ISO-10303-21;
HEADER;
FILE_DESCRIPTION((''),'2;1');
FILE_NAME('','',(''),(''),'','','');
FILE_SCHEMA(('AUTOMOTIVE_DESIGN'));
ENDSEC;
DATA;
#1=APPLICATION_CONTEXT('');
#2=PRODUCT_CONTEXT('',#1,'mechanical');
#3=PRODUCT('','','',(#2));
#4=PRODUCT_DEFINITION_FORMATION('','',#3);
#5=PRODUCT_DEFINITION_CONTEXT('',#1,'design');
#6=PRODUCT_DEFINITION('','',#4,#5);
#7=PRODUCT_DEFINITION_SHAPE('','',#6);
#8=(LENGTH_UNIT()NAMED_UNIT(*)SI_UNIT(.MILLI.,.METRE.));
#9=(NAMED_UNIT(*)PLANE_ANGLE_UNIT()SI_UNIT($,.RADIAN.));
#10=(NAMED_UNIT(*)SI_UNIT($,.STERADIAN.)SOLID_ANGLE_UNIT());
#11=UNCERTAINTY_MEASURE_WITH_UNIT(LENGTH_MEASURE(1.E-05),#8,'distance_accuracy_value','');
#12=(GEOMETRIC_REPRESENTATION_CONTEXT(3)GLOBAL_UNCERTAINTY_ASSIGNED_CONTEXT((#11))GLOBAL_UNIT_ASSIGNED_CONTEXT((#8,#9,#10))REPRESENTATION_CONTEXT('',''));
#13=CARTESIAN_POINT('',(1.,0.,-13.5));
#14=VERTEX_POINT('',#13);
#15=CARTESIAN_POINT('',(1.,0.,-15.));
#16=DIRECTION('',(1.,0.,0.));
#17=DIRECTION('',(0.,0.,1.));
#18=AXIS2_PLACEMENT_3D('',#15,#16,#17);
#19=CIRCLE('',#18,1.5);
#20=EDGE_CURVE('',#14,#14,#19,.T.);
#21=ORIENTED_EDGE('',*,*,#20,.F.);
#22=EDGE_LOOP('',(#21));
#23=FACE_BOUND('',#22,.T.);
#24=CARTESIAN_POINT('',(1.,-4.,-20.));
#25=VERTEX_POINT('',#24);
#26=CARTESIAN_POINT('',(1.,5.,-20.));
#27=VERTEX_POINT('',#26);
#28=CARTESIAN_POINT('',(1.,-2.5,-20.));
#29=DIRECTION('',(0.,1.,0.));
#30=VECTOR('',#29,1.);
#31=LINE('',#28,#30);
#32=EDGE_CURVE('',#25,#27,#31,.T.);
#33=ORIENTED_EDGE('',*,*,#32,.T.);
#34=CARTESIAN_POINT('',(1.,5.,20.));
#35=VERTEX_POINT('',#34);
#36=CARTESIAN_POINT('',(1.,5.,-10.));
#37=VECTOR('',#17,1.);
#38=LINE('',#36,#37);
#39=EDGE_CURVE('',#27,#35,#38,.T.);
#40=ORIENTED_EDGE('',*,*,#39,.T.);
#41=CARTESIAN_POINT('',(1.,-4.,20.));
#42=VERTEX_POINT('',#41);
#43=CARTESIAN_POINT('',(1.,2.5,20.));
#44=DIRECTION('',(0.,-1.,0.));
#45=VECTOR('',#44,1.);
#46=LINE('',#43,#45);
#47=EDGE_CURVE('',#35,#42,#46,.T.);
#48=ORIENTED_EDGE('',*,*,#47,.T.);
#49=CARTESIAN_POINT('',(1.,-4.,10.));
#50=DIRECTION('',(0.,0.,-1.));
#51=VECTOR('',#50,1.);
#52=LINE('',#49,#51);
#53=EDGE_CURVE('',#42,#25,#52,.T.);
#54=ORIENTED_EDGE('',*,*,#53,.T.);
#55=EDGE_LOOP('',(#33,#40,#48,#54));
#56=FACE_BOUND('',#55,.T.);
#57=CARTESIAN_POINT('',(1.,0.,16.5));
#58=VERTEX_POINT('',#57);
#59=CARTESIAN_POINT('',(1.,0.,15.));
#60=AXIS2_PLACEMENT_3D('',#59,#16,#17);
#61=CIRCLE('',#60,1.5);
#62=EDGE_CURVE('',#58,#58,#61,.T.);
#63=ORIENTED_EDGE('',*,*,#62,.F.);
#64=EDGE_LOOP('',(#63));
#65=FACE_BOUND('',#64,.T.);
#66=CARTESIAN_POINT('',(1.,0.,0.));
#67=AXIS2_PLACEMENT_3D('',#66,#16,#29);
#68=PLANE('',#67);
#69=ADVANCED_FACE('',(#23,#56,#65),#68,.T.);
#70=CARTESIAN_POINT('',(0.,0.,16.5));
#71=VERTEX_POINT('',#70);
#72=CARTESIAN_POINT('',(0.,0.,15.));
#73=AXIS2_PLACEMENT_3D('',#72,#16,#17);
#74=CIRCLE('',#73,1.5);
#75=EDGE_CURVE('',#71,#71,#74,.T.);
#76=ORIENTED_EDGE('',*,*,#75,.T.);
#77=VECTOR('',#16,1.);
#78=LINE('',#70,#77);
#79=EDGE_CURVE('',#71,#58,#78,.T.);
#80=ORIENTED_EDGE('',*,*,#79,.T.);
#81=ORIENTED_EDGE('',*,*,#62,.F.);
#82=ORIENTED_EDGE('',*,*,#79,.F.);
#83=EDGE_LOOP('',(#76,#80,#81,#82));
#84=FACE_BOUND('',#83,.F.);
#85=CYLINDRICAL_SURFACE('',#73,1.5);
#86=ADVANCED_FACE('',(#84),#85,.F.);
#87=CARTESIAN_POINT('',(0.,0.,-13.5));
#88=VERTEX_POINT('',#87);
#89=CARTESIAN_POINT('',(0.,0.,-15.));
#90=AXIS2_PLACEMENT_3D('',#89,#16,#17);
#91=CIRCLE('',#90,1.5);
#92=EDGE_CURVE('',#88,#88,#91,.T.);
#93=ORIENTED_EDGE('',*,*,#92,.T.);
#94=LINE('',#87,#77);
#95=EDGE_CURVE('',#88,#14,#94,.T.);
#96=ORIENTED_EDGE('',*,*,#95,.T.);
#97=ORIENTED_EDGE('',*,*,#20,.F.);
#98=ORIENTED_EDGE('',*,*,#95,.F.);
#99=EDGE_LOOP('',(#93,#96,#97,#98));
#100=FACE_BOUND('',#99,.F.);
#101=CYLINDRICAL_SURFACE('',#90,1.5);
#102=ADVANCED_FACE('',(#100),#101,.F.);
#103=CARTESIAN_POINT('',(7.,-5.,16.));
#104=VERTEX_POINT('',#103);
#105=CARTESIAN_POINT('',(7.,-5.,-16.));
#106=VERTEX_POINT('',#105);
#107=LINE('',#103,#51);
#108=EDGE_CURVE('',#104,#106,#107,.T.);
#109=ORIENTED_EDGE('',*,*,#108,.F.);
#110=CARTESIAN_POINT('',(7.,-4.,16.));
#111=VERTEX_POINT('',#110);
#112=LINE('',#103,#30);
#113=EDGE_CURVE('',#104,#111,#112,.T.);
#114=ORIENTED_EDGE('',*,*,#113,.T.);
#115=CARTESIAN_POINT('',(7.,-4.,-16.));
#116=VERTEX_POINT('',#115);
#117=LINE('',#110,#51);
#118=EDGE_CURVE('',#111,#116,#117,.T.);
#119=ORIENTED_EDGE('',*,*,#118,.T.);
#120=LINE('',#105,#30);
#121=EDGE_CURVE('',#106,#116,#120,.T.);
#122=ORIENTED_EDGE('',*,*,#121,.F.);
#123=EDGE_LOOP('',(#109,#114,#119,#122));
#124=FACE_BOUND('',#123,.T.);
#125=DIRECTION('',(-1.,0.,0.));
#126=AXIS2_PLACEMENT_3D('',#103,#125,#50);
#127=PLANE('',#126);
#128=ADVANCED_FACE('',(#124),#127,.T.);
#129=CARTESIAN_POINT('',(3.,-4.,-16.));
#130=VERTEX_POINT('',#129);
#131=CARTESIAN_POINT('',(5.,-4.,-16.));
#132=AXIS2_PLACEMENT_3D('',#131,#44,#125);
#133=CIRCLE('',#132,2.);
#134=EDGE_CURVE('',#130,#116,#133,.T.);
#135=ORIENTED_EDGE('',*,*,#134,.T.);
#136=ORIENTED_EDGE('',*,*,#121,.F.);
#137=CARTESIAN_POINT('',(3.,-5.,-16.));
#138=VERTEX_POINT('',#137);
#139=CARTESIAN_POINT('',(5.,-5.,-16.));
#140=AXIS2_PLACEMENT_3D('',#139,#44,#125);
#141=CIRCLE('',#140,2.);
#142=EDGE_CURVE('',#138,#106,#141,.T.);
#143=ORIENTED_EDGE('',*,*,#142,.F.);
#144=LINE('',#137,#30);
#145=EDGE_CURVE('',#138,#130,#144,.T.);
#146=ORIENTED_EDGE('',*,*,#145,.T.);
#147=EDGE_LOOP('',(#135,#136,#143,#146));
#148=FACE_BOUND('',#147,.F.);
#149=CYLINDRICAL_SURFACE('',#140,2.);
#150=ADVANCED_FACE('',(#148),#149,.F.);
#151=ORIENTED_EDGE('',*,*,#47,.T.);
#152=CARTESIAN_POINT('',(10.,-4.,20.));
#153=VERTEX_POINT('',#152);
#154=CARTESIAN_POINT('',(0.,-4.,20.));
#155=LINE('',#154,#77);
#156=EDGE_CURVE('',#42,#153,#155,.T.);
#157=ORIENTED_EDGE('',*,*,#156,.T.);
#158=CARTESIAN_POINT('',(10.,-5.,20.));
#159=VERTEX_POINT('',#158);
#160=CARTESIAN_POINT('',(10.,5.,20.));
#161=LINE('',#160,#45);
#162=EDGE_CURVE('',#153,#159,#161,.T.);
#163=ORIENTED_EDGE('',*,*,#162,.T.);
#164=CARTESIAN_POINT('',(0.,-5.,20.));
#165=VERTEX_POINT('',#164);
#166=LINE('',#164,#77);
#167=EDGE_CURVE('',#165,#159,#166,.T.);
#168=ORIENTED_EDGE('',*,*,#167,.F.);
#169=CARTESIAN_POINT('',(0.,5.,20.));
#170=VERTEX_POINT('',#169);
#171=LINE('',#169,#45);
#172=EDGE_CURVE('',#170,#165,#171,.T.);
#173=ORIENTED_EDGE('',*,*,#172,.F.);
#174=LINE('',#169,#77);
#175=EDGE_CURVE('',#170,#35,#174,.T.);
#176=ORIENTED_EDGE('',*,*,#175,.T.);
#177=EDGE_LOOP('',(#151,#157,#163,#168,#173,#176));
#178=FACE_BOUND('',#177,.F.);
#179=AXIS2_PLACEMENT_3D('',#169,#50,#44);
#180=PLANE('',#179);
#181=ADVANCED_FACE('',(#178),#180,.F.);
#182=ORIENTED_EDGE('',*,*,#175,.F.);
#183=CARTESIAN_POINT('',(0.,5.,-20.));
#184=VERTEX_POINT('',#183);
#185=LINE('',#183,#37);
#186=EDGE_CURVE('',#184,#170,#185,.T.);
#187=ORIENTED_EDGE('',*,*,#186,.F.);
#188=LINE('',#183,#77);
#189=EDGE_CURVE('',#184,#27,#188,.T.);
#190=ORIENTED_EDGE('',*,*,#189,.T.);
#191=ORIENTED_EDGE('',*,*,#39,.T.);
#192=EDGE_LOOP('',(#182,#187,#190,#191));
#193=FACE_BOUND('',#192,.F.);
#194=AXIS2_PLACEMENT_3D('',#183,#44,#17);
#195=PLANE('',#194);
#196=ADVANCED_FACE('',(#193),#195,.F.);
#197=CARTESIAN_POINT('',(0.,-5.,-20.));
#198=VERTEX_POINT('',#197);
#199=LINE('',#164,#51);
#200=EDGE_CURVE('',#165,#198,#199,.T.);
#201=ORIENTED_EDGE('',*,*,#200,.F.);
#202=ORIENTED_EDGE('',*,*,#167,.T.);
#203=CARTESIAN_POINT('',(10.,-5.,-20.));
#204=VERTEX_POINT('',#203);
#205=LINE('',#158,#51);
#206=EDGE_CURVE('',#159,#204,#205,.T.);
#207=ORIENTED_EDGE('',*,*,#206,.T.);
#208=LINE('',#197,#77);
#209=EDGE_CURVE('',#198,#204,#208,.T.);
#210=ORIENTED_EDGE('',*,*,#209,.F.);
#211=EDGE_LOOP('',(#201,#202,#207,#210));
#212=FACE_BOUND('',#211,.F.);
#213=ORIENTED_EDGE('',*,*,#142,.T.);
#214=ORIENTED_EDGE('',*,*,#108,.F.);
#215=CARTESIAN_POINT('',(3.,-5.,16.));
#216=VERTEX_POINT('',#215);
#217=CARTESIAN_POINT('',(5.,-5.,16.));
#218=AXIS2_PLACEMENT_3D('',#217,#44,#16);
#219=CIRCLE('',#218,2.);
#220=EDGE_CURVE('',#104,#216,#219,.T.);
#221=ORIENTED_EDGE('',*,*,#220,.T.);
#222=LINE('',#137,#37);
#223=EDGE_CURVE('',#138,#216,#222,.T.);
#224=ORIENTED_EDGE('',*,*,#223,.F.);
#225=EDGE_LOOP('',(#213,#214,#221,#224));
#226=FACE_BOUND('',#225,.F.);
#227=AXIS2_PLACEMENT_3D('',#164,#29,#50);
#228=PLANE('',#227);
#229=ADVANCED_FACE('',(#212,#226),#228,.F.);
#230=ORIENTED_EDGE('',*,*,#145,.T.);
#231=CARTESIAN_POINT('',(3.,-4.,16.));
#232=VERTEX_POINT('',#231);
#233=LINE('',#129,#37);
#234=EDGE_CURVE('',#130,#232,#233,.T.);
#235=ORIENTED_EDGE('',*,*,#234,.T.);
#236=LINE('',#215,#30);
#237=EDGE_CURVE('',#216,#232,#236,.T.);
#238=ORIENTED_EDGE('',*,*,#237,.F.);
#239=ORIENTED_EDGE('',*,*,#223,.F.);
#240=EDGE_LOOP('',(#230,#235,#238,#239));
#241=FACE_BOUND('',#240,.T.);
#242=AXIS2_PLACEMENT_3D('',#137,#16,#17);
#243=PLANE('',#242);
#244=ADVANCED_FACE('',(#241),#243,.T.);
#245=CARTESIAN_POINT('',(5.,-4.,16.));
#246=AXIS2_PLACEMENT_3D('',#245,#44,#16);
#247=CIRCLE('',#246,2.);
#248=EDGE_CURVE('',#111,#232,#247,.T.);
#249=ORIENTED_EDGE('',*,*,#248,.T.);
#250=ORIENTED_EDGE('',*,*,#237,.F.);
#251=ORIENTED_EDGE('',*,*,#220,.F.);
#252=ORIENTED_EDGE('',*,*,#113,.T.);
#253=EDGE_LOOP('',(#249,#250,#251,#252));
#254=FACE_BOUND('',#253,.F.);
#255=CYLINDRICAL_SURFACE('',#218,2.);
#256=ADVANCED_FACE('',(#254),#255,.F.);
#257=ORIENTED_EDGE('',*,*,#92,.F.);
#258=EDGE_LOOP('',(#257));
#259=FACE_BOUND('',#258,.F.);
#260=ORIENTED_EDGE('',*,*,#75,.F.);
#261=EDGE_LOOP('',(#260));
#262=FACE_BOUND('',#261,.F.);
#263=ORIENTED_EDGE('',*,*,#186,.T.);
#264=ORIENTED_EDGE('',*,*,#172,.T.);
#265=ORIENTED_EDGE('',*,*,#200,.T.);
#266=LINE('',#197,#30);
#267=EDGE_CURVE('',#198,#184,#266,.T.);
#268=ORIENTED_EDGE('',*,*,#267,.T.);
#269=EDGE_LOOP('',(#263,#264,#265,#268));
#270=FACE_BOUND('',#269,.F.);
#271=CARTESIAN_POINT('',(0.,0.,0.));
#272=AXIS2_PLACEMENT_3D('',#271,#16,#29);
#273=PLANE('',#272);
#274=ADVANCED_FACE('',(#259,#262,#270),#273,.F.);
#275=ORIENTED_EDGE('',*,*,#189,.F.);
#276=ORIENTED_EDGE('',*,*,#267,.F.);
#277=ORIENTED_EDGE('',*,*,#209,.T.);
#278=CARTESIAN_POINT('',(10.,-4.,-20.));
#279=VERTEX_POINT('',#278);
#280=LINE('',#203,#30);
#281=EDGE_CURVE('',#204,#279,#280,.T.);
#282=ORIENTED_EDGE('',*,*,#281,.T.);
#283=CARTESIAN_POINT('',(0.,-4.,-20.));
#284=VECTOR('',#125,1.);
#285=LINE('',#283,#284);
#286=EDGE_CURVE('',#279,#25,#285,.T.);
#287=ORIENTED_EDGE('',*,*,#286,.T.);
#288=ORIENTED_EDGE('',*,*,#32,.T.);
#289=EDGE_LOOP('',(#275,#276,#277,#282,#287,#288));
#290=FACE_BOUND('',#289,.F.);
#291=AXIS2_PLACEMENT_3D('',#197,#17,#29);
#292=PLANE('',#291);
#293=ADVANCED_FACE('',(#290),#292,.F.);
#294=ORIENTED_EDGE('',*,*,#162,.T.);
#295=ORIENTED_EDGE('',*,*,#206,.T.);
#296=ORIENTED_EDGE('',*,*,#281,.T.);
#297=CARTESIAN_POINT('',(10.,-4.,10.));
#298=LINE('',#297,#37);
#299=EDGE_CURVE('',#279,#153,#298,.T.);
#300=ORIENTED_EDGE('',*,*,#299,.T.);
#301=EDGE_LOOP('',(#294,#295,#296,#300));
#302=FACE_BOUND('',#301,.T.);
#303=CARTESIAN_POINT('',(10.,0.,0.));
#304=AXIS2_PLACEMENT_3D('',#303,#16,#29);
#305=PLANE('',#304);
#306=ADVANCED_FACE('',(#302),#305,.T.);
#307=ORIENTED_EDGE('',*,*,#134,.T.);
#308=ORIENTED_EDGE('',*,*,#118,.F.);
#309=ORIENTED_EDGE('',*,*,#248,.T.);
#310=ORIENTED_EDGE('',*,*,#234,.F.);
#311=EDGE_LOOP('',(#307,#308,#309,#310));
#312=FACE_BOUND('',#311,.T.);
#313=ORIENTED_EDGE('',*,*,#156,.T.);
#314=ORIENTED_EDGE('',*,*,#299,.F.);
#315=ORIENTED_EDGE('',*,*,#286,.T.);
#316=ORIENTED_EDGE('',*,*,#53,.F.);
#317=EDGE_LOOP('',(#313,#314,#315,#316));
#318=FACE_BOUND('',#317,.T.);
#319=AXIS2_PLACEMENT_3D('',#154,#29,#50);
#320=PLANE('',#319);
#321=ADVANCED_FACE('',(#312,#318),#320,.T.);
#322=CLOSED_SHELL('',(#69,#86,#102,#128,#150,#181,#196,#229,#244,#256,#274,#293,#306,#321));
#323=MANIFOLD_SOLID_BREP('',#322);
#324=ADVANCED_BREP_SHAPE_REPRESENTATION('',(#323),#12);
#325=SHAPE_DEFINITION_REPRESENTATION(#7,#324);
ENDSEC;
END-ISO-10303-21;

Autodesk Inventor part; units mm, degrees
ref_plane "YZ Plane" through (0, 0, 0) normal (1, 0, 0) x (0, 1, 0)
ref_plane "XZ Plane" through (0, 0, 0) normal (0, 1, 0) x (-1, 0, 0)
ref_plane "XY Plane" through (0, 0, 0) normal (0, 0, 1) x (1, 0, 0)
sketch "スケッチ1" plane through (0, 0, 0) normal (1, 0, 0) x (0, 1, 0)
  line L0 (-5, -20) -> (5, -20)
  line L1 (5, -20) -> (5, 20)
  line L2 (5, 20) -> (-5, 20)
  line L3 (-5, 20) -> (-5, -20)
  line L4 (-5, -20) -> (5, 20) construction
  line L5 (5, -20) -> (-5, 20) construction
  point P0 (0, 0)
  dimension "d0" = 10
  dimension "d1" = 40
extrude "押し出し1" add sketch "スケッチ1" along normal blind 10
shell "シェル1" thickness 1 removed faces 4 at (3.3333, 1.6667, 20) at (3.3333, 5, -6.6667) at (3.3333, -1.6667, -20) at (10, -1.6667, 6.6667)
sketch "スケッチ2" plane through (0, 0, 0) normal (-1, 0, 0) x (0, 0, 1)
  line L0 (-20, -5) -> (-20, 5)
  line L1 (20, 5) -> (20, -4.2502)
  line L2 (-20, 5) -> (20, 5) projected
  point P0 (0, 0)
  point P1 (-15, 0)
  point P2 (15, 0)
  dimension "d5" = 5
  dimension "d6" = 5
  dimension "d14" = 5
hole "穴1" at (0, 0, -15) at (0, 0, 15) direction (1, 0, 0) diameter 3 end through all
sketch "スケッチ3" plane through (0, -5, -20) normal (0, -1, 0) x (1, 0, 0)
  line L0 (3, 4) -> (3, 36)
  arc A0 (7, 36) -> (3, 36) centre (5, 36) ccw
  line L1 (7, 36) -> (7, 4)
  arc A1 (3, 4) -> (7, 4) centre (5, 4) ccw
  line L2 (0, 0) -> (10, 0) projected
  line L3 (10, 40) -> (10, 0) projected
  line L4 (0, 40) -> (10, 40) projected
  point P0 (0, 20)
  dimension "d15" = 2
  dimension "d16" = 4
  dimension "d17" = 5
  dimension "d18" = 4
extrude "押し出し2" cut sketch "スケッチ3" against normal blind 1
properties part number "palmrest_L_small" material "アルミニウム 6061"
